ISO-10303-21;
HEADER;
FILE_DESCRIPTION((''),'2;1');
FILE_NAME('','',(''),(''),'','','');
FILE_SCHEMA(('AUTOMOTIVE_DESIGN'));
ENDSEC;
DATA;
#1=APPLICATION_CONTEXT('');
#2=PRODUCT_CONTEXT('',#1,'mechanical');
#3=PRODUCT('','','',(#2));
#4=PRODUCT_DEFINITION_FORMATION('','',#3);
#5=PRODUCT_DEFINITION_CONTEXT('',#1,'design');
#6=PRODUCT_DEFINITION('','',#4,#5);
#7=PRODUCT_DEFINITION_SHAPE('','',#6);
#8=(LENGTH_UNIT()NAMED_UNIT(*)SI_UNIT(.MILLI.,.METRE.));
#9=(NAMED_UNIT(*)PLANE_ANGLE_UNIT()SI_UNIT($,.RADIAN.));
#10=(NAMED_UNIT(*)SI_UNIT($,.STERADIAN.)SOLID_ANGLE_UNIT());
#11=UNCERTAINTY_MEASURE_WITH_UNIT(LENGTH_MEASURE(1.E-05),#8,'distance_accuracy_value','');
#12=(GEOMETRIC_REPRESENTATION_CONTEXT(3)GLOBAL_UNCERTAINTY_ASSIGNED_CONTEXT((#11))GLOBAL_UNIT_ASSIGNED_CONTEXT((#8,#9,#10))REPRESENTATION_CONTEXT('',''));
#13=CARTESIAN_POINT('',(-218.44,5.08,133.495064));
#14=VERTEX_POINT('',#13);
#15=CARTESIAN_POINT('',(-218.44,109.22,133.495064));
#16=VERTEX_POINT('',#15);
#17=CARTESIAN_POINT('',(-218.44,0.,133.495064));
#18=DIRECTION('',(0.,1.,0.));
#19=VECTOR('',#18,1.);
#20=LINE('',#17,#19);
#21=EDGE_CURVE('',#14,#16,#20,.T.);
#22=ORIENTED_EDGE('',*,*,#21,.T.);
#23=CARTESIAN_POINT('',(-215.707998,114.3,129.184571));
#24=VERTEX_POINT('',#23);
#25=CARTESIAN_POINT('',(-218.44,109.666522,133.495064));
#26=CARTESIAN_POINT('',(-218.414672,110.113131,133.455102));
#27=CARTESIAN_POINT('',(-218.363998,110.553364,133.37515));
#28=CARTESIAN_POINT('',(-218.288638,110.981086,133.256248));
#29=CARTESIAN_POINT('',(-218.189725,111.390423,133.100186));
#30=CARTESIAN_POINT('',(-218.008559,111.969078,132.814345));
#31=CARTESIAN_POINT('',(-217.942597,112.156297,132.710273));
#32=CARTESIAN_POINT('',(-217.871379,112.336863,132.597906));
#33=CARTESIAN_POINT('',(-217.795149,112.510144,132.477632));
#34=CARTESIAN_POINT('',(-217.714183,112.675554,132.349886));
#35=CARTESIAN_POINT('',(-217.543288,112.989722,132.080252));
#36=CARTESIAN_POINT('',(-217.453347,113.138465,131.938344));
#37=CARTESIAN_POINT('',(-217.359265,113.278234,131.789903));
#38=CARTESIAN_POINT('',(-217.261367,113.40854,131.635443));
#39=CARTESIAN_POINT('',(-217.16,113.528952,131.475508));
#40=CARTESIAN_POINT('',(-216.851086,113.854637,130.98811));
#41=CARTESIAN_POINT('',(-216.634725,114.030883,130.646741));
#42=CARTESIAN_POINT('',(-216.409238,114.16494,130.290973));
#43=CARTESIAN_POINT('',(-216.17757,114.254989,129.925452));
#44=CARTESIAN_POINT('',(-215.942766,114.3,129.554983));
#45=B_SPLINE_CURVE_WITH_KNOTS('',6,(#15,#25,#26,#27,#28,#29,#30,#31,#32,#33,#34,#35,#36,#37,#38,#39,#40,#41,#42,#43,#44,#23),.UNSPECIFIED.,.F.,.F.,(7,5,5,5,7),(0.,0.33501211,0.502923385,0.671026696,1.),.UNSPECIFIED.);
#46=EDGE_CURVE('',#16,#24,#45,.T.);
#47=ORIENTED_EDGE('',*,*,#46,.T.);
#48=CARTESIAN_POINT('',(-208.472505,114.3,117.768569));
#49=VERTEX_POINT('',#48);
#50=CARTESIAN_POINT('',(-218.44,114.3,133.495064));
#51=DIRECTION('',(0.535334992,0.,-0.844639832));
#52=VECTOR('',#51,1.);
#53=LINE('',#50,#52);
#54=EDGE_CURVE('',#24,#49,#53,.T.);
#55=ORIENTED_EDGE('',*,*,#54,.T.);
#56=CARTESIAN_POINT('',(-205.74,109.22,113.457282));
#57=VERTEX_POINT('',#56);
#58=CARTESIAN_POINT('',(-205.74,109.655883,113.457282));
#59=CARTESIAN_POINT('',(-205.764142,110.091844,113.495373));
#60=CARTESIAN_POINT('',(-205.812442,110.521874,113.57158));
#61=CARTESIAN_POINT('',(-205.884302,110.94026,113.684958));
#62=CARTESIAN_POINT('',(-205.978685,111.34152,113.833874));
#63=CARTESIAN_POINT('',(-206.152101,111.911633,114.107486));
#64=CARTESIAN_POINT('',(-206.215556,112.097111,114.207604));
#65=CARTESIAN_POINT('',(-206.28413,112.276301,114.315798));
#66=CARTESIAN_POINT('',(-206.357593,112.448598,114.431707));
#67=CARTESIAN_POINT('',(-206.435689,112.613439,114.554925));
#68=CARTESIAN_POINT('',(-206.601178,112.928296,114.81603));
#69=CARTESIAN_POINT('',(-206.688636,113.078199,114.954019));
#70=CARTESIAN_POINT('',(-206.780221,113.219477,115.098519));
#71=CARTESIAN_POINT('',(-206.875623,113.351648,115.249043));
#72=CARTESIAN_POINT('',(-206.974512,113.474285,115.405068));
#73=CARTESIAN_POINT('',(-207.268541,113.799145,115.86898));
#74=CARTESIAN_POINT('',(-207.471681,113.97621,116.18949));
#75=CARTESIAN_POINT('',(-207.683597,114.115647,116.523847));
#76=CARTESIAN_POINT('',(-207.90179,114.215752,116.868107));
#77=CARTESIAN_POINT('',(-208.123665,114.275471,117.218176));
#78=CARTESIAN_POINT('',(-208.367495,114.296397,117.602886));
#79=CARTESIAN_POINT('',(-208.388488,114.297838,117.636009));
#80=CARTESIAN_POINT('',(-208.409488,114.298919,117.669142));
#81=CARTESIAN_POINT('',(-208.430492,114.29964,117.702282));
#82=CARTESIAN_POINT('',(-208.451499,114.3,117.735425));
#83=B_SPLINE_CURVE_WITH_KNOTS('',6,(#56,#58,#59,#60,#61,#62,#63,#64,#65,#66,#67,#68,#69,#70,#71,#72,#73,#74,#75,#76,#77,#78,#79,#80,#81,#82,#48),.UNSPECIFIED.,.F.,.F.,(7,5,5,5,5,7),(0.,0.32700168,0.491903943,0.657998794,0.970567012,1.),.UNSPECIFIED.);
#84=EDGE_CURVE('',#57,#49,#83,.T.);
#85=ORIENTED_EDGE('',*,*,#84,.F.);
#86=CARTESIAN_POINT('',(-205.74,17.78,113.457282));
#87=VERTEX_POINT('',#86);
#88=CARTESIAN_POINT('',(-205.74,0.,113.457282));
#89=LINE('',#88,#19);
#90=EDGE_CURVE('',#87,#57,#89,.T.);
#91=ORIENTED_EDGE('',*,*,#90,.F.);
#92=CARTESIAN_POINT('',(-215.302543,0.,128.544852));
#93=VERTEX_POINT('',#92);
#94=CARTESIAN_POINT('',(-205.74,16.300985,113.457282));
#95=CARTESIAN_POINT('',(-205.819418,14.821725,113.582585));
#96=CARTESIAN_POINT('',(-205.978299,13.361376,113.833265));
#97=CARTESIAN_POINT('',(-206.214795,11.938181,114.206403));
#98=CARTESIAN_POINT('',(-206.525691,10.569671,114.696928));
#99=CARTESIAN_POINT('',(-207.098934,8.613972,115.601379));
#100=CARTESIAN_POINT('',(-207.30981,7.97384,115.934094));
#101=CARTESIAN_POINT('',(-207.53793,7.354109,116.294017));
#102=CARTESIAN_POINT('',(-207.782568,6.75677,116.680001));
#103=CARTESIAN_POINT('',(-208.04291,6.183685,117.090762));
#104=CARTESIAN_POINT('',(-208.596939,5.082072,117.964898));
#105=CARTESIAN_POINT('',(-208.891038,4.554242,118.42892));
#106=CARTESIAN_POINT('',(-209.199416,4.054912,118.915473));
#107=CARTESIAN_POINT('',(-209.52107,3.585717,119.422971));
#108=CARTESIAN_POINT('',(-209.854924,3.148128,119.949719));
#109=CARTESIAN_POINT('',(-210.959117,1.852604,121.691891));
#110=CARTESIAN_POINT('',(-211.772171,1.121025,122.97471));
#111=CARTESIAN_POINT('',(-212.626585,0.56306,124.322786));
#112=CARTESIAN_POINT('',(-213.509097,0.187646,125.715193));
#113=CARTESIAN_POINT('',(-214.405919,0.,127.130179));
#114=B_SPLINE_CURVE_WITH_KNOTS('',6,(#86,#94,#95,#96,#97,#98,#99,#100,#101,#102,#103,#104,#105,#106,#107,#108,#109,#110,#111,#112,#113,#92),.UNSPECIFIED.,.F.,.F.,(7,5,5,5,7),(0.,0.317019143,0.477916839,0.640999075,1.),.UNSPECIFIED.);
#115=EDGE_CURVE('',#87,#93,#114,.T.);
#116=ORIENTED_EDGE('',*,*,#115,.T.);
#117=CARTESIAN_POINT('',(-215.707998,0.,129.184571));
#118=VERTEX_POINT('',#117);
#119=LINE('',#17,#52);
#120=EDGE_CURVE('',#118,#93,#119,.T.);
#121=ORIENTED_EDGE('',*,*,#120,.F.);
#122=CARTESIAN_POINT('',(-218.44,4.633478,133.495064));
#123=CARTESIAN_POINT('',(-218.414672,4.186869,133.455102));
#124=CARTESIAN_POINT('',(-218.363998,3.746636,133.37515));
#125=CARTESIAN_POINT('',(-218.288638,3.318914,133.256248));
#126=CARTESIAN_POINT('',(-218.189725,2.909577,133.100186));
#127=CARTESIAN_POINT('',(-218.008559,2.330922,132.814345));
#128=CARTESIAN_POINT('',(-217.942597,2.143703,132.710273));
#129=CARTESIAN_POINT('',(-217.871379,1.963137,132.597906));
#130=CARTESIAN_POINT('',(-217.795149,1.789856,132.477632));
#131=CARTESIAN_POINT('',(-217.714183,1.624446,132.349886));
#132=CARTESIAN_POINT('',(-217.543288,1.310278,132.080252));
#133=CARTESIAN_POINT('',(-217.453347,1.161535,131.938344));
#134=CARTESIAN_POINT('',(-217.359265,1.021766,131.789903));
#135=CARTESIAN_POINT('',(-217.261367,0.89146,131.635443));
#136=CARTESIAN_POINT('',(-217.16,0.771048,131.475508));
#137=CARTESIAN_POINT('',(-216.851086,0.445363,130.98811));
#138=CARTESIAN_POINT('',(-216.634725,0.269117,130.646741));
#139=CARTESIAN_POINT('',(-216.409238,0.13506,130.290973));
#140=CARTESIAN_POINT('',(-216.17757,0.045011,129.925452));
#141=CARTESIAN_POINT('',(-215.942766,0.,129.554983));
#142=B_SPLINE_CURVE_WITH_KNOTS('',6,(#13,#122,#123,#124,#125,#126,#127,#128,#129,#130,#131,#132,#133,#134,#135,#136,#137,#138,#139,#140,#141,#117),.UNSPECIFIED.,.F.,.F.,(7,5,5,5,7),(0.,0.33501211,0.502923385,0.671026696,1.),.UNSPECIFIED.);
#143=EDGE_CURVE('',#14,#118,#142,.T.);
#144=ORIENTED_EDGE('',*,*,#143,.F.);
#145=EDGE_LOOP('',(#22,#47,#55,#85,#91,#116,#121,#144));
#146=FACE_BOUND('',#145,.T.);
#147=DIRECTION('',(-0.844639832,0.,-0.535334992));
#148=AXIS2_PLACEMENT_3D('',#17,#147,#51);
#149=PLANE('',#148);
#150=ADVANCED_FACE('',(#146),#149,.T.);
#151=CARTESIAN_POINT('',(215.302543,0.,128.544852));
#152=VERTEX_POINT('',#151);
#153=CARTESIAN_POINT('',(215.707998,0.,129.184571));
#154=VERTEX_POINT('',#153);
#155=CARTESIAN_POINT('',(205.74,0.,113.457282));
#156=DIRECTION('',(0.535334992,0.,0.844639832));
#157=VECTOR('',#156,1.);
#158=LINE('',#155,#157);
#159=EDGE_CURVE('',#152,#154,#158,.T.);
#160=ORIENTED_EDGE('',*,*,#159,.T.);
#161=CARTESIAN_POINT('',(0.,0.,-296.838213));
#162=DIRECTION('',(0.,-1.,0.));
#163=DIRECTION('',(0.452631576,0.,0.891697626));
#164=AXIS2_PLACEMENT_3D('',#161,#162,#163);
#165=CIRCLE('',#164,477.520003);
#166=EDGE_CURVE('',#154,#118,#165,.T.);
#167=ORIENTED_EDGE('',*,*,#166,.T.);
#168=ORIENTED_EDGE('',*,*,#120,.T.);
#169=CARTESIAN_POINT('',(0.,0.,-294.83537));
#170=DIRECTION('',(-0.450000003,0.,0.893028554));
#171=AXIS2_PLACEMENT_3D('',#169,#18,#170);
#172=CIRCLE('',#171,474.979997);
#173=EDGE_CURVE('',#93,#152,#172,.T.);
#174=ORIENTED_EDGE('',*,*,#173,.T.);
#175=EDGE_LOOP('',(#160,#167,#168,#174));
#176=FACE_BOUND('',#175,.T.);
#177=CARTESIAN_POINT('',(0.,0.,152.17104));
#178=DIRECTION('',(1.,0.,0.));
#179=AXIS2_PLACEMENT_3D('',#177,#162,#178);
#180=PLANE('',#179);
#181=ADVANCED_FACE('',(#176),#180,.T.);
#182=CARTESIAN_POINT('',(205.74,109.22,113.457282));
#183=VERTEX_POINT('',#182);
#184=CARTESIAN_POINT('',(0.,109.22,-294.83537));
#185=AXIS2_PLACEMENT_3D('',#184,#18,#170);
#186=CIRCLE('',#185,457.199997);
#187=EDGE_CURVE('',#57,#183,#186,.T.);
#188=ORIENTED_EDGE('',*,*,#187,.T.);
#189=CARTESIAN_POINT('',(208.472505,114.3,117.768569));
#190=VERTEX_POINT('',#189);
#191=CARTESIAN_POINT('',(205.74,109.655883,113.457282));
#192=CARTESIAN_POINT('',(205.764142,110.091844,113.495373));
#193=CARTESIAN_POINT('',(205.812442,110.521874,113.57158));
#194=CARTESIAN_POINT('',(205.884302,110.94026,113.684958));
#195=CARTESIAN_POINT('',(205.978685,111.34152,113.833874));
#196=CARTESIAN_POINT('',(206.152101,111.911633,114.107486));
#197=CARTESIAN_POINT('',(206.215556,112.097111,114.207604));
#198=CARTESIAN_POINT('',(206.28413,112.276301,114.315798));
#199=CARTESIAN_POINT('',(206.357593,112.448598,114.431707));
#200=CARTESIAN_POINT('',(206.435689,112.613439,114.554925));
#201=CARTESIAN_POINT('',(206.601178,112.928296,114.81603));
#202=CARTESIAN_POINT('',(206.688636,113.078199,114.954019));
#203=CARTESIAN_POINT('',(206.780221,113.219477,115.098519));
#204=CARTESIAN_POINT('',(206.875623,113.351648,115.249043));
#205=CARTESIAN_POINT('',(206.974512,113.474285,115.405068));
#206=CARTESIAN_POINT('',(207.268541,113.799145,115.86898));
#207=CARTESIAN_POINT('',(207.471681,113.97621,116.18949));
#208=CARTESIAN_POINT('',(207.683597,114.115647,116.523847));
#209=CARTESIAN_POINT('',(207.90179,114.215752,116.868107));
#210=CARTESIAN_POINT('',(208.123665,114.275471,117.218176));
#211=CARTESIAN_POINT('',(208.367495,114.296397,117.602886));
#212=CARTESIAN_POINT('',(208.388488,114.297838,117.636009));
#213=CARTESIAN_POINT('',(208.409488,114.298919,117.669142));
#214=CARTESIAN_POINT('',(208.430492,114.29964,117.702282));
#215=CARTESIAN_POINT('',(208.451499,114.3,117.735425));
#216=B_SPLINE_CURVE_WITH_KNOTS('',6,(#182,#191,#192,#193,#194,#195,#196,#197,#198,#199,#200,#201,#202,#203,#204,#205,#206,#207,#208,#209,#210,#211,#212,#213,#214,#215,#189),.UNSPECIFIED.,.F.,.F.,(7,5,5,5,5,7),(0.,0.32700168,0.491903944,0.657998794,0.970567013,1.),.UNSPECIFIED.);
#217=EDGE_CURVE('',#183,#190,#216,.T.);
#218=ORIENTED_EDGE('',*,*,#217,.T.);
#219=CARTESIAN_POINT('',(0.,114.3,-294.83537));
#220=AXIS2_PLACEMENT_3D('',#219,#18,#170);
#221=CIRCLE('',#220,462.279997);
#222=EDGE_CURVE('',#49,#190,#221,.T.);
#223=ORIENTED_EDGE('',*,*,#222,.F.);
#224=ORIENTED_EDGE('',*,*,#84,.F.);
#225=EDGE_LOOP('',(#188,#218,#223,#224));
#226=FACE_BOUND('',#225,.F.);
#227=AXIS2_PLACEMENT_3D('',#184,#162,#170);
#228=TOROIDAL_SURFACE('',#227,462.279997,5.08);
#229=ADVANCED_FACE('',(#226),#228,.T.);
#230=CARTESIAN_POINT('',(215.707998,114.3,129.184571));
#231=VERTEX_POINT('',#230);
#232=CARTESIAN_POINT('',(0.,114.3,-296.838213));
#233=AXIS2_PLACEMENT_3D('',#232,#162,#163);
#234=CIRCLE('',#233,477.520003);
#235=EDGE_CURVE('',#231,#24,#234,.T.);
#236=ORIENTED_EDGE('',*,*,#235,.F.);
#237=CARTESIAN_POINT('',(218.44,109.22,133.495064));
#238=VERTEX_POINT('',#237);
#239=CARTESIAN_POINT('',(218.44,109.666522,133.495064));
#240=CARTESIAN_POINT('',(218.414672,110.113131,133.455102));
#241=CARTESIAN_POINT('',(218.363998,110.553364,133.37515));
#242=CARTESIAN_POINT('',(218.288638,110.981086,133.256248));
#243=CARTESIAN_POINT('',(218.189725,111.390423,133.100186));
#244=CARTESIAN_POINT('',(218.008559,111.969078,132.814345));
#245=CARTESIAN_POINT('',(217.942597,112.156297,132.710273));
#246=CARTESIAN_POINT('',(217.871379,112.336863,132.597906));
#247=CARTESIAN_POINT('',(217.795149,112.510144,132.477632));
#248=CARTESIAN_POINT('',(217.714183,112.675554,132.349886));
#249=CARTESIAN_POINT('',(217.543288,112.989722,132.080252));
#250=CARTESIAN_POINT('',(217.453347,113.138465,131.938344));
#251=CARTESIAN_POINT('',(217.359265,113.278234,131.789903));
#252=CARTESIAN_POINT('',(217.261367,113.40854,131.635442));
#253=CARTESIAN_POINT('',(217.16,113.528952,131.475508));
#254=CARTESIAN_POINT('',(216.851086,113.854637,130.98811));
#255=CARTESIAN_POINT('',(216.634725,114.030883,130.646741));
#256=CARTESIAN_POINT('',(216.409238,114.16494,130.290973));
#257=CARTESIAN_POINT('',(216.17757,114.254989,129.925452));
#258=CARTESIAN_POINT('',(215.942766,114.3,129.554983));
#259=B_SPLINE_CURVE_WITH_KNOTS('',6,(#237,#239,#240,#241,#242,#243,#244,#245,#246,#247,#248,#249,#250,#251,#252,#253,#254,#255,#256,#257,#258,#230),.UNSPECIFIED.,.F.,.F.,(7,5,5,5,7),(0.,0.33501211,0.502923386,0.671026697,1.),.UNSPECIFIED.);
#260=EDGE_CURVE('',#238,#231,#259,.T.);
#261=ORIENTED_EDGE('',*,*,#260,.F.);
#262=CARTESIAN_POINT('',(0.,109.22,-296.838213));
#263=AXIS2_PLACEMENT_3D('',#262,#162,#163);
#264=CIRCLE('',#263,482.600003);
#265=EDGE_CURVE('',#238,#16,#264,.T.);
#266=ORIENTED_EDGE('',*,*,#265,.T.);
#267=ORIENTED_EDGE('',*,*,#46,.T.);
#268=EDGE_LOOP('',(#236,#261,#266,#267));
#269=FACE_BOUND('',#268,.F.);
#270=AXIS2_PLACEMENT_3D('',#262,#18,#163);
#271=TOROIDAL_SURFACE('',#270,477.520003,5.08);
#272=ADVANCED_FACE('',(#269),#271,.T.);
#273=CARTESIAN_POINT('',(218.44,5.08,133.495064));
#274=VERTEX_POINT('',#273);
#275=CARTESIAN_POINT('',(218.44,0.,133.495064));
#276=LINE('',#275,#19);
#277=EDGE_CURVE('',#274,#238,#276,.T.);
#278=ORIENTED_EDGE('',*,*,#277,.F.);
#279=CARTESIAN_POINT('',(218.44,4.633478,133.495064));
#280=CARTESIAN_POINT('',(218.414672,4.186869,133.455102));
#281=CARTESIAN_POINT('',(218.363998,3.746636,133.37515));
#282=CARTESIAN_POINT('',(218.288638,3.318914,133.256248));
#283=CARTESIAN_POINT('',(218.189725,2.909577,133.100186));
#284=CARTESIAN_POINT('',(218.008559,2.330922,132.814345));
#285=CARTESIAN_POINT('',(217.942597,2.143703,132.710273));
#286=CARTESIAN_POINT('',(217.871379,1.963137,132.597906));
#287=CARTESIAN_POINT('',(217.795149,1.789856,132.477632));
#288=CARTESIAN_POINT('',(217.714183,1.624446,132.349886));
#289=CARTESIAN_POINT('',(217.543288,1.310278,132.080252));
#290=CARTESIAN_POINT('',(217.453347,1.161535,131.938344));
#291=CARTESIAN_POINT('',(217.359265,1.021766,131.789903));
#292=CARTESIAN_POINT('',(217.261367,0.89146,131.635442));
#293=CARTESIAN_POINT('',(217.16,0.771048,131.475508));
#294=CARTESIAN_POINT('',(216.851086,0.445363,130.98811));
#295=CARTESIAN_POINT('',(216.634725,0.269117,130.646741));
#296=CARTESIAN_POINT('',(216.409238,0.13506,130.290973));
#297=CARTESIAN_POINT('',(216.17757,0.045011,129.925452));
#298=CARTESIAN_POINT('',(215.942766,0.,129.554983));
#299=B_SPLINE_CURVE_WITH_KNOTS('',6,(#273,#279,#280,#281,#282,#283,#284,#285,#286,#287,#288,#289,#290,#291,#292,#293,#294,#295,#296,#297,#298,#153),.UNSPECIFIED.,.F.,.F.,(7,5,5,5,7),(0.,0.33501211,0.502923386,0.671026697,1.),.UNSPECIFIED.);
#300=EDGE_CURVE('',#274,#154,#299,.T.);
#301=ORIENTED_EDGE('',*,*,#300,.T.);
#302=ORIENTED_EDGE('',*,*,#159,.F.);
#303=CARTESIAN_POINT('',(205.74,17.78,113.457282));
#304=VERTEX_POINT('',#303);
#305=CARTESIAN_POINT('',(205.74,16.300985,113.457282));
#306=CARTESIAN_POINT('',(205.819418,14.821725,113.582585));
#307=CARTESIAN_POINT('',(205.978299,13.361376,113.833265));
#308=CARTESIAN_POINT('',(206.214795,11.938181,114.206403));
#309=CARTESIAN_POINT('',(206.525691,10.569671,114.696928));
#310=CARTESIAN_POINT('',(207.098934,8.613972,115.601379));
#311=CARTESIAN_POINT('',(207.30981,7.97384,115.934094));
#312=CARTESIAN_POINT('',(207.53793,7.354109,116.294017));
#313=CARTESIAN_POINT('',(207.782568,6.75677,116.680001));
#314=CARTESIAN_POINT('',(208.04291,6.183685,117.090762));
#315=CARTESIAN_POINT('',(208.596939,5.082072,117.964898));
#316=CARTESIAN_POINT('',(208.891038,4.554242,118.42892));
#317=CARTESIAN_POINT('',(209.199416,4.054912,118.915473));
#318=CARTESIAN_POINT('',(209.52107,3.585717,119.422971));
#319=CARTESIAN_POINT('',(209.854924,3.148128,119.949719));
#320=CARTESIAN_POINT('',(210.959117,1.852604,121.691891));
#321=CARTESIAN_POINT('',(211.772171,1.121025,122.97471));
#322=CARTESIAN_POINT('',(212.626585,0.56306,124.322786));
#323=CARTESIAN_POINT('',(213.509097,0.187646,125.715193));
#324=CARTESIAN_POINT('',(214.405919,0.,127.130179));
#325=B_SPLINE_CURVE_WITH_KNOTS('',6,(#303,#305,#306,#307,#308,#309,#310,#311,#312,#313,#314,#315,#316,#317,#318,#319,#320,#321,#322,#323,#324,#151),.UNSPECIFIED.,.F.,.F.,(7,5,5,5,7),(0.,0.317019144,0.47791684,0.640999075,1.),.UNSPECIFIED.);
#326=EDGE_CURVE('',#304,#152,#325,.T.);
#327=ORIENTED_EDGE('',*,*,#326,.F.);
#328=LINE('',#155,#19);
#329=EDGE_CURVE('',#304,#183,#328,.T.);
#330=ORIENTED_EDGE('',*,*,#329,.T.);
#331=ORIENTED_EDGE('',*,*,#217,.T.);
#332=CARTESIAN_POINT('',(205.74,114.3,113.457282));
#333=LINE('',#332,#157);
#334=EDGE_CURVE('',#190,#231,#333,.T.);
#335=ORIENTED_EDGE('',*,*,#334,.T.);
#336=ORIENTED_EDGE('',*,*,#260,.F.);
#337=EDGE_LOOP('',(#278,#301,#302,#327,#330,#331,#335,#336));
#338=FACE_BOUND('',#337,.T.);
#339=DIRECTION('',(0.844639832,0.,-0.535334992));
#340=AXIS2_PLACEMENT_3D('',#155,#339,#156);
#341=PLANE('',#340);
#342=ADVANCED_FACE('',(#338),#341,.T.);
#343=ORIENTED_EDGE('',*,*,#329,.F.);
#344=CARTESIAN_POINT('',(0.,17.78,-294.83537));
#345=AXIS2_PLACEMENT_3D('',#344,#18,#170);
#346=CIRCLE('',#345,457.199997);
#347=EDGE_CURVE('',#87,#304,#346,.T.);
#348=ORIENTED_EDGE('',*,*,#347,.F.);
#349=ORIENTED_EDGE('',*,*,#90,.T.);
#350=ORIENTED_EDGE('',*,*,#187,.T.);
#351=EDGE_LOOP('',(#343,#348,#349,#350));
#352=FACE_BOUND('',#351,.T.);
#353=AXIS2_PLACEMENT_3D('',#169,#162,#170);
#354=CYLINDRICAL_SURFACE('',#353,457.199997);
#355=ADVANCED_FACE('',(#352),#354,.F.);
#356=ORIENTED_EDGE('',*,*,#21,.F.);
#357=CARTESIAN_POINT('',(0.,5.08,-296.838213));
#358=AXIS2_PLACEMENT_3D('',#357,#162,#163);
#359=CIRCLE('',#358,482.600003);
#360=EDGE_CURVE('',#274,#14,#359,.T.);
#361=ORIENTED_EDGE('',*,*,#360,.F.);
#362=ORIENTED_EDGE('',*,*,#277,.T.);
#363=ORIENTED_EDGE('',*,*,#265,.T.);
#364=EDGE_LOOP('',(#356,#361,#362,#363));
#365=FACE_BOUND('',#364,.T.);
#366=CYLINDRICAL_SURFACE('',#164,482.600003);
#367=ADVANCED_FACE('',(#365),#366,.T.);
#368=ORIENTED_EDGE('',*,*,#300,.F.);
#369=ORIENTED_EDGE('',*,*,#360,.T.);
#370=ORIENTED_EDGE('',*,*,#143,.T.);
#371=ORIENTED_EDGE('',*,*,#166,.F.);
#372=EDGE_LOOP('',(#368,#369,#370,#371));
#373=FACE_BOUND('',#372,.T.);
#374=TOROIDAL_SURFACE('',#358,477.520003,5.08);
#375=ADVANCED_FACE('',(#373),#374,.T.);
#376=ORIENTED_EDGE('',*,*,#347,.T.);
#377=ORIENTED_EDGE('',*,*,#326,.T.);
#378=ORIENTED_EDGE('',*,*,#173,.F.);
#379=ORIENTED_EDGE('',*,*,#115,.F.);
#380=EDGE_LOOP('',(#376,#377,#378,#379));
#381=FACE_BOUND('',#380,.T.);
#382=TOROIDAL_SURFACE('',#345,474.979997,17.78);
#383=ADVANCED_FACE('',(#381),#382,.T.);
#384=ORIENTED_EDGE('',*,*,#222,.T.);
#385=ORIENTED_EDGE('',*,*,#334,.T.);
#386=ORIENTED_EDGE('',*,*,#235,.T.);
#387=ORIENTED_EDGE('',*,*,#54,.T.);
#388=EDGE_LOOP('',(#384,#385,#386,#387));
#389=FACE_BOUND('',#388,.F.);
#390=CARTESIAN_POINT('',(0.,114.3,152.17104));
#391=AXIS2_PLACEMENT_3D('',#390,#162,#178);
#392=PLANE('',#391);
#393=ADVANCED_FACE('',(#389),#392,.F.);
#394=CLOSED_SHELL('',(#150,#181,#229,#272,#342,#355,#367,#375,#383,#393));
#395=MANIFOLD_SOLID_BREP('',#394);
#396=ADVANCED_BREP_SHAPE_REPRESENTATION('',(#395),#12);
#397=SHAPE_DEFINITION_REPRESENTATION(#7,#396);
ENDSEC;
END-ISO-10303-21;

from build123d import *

# Parameters (mm, degrees)
F1_DEPTH = 114.3
F2_R     = 5.08
F3_R     = 17.78


with BuildPart() as f1:
    # F0 (on Front) → F1 (new body)
    with BuildSketch(Plane.XZ):
        with BuildLine():
            ThreePointArc((218.44, 133.495064), (0, 185.76179), (-218.44, 133.495064))
            Line((-218.44, 133.495064), (-205.74, 113.457282))
            ThreePointArc((-205.74, 113.457282), (0, 162.364627), (205.74, 113.457282))
            Line((205.74, 113.457282), (218.44, 133.495064))
        make_face()
    extrude(amount=-F1_DEPTH)

    # F2
    f2_edges = [f1.edges().sort_by_distance(p)[0] for p in [
        (0, 0, 185.76179),
        (0, 114.3, 162.364627),
        (0, 114.3, 185.76179),
    ]]
    fillet(f2_edges, radius=F2_R)

    # F3
    f3_edges = [f1.edges().sort_by_distance(p)[0] for p in [
        (0, 0, 162.364627),
    ]]
    fillet(f3_edges, radius=F3_R)


solid = f1.part
